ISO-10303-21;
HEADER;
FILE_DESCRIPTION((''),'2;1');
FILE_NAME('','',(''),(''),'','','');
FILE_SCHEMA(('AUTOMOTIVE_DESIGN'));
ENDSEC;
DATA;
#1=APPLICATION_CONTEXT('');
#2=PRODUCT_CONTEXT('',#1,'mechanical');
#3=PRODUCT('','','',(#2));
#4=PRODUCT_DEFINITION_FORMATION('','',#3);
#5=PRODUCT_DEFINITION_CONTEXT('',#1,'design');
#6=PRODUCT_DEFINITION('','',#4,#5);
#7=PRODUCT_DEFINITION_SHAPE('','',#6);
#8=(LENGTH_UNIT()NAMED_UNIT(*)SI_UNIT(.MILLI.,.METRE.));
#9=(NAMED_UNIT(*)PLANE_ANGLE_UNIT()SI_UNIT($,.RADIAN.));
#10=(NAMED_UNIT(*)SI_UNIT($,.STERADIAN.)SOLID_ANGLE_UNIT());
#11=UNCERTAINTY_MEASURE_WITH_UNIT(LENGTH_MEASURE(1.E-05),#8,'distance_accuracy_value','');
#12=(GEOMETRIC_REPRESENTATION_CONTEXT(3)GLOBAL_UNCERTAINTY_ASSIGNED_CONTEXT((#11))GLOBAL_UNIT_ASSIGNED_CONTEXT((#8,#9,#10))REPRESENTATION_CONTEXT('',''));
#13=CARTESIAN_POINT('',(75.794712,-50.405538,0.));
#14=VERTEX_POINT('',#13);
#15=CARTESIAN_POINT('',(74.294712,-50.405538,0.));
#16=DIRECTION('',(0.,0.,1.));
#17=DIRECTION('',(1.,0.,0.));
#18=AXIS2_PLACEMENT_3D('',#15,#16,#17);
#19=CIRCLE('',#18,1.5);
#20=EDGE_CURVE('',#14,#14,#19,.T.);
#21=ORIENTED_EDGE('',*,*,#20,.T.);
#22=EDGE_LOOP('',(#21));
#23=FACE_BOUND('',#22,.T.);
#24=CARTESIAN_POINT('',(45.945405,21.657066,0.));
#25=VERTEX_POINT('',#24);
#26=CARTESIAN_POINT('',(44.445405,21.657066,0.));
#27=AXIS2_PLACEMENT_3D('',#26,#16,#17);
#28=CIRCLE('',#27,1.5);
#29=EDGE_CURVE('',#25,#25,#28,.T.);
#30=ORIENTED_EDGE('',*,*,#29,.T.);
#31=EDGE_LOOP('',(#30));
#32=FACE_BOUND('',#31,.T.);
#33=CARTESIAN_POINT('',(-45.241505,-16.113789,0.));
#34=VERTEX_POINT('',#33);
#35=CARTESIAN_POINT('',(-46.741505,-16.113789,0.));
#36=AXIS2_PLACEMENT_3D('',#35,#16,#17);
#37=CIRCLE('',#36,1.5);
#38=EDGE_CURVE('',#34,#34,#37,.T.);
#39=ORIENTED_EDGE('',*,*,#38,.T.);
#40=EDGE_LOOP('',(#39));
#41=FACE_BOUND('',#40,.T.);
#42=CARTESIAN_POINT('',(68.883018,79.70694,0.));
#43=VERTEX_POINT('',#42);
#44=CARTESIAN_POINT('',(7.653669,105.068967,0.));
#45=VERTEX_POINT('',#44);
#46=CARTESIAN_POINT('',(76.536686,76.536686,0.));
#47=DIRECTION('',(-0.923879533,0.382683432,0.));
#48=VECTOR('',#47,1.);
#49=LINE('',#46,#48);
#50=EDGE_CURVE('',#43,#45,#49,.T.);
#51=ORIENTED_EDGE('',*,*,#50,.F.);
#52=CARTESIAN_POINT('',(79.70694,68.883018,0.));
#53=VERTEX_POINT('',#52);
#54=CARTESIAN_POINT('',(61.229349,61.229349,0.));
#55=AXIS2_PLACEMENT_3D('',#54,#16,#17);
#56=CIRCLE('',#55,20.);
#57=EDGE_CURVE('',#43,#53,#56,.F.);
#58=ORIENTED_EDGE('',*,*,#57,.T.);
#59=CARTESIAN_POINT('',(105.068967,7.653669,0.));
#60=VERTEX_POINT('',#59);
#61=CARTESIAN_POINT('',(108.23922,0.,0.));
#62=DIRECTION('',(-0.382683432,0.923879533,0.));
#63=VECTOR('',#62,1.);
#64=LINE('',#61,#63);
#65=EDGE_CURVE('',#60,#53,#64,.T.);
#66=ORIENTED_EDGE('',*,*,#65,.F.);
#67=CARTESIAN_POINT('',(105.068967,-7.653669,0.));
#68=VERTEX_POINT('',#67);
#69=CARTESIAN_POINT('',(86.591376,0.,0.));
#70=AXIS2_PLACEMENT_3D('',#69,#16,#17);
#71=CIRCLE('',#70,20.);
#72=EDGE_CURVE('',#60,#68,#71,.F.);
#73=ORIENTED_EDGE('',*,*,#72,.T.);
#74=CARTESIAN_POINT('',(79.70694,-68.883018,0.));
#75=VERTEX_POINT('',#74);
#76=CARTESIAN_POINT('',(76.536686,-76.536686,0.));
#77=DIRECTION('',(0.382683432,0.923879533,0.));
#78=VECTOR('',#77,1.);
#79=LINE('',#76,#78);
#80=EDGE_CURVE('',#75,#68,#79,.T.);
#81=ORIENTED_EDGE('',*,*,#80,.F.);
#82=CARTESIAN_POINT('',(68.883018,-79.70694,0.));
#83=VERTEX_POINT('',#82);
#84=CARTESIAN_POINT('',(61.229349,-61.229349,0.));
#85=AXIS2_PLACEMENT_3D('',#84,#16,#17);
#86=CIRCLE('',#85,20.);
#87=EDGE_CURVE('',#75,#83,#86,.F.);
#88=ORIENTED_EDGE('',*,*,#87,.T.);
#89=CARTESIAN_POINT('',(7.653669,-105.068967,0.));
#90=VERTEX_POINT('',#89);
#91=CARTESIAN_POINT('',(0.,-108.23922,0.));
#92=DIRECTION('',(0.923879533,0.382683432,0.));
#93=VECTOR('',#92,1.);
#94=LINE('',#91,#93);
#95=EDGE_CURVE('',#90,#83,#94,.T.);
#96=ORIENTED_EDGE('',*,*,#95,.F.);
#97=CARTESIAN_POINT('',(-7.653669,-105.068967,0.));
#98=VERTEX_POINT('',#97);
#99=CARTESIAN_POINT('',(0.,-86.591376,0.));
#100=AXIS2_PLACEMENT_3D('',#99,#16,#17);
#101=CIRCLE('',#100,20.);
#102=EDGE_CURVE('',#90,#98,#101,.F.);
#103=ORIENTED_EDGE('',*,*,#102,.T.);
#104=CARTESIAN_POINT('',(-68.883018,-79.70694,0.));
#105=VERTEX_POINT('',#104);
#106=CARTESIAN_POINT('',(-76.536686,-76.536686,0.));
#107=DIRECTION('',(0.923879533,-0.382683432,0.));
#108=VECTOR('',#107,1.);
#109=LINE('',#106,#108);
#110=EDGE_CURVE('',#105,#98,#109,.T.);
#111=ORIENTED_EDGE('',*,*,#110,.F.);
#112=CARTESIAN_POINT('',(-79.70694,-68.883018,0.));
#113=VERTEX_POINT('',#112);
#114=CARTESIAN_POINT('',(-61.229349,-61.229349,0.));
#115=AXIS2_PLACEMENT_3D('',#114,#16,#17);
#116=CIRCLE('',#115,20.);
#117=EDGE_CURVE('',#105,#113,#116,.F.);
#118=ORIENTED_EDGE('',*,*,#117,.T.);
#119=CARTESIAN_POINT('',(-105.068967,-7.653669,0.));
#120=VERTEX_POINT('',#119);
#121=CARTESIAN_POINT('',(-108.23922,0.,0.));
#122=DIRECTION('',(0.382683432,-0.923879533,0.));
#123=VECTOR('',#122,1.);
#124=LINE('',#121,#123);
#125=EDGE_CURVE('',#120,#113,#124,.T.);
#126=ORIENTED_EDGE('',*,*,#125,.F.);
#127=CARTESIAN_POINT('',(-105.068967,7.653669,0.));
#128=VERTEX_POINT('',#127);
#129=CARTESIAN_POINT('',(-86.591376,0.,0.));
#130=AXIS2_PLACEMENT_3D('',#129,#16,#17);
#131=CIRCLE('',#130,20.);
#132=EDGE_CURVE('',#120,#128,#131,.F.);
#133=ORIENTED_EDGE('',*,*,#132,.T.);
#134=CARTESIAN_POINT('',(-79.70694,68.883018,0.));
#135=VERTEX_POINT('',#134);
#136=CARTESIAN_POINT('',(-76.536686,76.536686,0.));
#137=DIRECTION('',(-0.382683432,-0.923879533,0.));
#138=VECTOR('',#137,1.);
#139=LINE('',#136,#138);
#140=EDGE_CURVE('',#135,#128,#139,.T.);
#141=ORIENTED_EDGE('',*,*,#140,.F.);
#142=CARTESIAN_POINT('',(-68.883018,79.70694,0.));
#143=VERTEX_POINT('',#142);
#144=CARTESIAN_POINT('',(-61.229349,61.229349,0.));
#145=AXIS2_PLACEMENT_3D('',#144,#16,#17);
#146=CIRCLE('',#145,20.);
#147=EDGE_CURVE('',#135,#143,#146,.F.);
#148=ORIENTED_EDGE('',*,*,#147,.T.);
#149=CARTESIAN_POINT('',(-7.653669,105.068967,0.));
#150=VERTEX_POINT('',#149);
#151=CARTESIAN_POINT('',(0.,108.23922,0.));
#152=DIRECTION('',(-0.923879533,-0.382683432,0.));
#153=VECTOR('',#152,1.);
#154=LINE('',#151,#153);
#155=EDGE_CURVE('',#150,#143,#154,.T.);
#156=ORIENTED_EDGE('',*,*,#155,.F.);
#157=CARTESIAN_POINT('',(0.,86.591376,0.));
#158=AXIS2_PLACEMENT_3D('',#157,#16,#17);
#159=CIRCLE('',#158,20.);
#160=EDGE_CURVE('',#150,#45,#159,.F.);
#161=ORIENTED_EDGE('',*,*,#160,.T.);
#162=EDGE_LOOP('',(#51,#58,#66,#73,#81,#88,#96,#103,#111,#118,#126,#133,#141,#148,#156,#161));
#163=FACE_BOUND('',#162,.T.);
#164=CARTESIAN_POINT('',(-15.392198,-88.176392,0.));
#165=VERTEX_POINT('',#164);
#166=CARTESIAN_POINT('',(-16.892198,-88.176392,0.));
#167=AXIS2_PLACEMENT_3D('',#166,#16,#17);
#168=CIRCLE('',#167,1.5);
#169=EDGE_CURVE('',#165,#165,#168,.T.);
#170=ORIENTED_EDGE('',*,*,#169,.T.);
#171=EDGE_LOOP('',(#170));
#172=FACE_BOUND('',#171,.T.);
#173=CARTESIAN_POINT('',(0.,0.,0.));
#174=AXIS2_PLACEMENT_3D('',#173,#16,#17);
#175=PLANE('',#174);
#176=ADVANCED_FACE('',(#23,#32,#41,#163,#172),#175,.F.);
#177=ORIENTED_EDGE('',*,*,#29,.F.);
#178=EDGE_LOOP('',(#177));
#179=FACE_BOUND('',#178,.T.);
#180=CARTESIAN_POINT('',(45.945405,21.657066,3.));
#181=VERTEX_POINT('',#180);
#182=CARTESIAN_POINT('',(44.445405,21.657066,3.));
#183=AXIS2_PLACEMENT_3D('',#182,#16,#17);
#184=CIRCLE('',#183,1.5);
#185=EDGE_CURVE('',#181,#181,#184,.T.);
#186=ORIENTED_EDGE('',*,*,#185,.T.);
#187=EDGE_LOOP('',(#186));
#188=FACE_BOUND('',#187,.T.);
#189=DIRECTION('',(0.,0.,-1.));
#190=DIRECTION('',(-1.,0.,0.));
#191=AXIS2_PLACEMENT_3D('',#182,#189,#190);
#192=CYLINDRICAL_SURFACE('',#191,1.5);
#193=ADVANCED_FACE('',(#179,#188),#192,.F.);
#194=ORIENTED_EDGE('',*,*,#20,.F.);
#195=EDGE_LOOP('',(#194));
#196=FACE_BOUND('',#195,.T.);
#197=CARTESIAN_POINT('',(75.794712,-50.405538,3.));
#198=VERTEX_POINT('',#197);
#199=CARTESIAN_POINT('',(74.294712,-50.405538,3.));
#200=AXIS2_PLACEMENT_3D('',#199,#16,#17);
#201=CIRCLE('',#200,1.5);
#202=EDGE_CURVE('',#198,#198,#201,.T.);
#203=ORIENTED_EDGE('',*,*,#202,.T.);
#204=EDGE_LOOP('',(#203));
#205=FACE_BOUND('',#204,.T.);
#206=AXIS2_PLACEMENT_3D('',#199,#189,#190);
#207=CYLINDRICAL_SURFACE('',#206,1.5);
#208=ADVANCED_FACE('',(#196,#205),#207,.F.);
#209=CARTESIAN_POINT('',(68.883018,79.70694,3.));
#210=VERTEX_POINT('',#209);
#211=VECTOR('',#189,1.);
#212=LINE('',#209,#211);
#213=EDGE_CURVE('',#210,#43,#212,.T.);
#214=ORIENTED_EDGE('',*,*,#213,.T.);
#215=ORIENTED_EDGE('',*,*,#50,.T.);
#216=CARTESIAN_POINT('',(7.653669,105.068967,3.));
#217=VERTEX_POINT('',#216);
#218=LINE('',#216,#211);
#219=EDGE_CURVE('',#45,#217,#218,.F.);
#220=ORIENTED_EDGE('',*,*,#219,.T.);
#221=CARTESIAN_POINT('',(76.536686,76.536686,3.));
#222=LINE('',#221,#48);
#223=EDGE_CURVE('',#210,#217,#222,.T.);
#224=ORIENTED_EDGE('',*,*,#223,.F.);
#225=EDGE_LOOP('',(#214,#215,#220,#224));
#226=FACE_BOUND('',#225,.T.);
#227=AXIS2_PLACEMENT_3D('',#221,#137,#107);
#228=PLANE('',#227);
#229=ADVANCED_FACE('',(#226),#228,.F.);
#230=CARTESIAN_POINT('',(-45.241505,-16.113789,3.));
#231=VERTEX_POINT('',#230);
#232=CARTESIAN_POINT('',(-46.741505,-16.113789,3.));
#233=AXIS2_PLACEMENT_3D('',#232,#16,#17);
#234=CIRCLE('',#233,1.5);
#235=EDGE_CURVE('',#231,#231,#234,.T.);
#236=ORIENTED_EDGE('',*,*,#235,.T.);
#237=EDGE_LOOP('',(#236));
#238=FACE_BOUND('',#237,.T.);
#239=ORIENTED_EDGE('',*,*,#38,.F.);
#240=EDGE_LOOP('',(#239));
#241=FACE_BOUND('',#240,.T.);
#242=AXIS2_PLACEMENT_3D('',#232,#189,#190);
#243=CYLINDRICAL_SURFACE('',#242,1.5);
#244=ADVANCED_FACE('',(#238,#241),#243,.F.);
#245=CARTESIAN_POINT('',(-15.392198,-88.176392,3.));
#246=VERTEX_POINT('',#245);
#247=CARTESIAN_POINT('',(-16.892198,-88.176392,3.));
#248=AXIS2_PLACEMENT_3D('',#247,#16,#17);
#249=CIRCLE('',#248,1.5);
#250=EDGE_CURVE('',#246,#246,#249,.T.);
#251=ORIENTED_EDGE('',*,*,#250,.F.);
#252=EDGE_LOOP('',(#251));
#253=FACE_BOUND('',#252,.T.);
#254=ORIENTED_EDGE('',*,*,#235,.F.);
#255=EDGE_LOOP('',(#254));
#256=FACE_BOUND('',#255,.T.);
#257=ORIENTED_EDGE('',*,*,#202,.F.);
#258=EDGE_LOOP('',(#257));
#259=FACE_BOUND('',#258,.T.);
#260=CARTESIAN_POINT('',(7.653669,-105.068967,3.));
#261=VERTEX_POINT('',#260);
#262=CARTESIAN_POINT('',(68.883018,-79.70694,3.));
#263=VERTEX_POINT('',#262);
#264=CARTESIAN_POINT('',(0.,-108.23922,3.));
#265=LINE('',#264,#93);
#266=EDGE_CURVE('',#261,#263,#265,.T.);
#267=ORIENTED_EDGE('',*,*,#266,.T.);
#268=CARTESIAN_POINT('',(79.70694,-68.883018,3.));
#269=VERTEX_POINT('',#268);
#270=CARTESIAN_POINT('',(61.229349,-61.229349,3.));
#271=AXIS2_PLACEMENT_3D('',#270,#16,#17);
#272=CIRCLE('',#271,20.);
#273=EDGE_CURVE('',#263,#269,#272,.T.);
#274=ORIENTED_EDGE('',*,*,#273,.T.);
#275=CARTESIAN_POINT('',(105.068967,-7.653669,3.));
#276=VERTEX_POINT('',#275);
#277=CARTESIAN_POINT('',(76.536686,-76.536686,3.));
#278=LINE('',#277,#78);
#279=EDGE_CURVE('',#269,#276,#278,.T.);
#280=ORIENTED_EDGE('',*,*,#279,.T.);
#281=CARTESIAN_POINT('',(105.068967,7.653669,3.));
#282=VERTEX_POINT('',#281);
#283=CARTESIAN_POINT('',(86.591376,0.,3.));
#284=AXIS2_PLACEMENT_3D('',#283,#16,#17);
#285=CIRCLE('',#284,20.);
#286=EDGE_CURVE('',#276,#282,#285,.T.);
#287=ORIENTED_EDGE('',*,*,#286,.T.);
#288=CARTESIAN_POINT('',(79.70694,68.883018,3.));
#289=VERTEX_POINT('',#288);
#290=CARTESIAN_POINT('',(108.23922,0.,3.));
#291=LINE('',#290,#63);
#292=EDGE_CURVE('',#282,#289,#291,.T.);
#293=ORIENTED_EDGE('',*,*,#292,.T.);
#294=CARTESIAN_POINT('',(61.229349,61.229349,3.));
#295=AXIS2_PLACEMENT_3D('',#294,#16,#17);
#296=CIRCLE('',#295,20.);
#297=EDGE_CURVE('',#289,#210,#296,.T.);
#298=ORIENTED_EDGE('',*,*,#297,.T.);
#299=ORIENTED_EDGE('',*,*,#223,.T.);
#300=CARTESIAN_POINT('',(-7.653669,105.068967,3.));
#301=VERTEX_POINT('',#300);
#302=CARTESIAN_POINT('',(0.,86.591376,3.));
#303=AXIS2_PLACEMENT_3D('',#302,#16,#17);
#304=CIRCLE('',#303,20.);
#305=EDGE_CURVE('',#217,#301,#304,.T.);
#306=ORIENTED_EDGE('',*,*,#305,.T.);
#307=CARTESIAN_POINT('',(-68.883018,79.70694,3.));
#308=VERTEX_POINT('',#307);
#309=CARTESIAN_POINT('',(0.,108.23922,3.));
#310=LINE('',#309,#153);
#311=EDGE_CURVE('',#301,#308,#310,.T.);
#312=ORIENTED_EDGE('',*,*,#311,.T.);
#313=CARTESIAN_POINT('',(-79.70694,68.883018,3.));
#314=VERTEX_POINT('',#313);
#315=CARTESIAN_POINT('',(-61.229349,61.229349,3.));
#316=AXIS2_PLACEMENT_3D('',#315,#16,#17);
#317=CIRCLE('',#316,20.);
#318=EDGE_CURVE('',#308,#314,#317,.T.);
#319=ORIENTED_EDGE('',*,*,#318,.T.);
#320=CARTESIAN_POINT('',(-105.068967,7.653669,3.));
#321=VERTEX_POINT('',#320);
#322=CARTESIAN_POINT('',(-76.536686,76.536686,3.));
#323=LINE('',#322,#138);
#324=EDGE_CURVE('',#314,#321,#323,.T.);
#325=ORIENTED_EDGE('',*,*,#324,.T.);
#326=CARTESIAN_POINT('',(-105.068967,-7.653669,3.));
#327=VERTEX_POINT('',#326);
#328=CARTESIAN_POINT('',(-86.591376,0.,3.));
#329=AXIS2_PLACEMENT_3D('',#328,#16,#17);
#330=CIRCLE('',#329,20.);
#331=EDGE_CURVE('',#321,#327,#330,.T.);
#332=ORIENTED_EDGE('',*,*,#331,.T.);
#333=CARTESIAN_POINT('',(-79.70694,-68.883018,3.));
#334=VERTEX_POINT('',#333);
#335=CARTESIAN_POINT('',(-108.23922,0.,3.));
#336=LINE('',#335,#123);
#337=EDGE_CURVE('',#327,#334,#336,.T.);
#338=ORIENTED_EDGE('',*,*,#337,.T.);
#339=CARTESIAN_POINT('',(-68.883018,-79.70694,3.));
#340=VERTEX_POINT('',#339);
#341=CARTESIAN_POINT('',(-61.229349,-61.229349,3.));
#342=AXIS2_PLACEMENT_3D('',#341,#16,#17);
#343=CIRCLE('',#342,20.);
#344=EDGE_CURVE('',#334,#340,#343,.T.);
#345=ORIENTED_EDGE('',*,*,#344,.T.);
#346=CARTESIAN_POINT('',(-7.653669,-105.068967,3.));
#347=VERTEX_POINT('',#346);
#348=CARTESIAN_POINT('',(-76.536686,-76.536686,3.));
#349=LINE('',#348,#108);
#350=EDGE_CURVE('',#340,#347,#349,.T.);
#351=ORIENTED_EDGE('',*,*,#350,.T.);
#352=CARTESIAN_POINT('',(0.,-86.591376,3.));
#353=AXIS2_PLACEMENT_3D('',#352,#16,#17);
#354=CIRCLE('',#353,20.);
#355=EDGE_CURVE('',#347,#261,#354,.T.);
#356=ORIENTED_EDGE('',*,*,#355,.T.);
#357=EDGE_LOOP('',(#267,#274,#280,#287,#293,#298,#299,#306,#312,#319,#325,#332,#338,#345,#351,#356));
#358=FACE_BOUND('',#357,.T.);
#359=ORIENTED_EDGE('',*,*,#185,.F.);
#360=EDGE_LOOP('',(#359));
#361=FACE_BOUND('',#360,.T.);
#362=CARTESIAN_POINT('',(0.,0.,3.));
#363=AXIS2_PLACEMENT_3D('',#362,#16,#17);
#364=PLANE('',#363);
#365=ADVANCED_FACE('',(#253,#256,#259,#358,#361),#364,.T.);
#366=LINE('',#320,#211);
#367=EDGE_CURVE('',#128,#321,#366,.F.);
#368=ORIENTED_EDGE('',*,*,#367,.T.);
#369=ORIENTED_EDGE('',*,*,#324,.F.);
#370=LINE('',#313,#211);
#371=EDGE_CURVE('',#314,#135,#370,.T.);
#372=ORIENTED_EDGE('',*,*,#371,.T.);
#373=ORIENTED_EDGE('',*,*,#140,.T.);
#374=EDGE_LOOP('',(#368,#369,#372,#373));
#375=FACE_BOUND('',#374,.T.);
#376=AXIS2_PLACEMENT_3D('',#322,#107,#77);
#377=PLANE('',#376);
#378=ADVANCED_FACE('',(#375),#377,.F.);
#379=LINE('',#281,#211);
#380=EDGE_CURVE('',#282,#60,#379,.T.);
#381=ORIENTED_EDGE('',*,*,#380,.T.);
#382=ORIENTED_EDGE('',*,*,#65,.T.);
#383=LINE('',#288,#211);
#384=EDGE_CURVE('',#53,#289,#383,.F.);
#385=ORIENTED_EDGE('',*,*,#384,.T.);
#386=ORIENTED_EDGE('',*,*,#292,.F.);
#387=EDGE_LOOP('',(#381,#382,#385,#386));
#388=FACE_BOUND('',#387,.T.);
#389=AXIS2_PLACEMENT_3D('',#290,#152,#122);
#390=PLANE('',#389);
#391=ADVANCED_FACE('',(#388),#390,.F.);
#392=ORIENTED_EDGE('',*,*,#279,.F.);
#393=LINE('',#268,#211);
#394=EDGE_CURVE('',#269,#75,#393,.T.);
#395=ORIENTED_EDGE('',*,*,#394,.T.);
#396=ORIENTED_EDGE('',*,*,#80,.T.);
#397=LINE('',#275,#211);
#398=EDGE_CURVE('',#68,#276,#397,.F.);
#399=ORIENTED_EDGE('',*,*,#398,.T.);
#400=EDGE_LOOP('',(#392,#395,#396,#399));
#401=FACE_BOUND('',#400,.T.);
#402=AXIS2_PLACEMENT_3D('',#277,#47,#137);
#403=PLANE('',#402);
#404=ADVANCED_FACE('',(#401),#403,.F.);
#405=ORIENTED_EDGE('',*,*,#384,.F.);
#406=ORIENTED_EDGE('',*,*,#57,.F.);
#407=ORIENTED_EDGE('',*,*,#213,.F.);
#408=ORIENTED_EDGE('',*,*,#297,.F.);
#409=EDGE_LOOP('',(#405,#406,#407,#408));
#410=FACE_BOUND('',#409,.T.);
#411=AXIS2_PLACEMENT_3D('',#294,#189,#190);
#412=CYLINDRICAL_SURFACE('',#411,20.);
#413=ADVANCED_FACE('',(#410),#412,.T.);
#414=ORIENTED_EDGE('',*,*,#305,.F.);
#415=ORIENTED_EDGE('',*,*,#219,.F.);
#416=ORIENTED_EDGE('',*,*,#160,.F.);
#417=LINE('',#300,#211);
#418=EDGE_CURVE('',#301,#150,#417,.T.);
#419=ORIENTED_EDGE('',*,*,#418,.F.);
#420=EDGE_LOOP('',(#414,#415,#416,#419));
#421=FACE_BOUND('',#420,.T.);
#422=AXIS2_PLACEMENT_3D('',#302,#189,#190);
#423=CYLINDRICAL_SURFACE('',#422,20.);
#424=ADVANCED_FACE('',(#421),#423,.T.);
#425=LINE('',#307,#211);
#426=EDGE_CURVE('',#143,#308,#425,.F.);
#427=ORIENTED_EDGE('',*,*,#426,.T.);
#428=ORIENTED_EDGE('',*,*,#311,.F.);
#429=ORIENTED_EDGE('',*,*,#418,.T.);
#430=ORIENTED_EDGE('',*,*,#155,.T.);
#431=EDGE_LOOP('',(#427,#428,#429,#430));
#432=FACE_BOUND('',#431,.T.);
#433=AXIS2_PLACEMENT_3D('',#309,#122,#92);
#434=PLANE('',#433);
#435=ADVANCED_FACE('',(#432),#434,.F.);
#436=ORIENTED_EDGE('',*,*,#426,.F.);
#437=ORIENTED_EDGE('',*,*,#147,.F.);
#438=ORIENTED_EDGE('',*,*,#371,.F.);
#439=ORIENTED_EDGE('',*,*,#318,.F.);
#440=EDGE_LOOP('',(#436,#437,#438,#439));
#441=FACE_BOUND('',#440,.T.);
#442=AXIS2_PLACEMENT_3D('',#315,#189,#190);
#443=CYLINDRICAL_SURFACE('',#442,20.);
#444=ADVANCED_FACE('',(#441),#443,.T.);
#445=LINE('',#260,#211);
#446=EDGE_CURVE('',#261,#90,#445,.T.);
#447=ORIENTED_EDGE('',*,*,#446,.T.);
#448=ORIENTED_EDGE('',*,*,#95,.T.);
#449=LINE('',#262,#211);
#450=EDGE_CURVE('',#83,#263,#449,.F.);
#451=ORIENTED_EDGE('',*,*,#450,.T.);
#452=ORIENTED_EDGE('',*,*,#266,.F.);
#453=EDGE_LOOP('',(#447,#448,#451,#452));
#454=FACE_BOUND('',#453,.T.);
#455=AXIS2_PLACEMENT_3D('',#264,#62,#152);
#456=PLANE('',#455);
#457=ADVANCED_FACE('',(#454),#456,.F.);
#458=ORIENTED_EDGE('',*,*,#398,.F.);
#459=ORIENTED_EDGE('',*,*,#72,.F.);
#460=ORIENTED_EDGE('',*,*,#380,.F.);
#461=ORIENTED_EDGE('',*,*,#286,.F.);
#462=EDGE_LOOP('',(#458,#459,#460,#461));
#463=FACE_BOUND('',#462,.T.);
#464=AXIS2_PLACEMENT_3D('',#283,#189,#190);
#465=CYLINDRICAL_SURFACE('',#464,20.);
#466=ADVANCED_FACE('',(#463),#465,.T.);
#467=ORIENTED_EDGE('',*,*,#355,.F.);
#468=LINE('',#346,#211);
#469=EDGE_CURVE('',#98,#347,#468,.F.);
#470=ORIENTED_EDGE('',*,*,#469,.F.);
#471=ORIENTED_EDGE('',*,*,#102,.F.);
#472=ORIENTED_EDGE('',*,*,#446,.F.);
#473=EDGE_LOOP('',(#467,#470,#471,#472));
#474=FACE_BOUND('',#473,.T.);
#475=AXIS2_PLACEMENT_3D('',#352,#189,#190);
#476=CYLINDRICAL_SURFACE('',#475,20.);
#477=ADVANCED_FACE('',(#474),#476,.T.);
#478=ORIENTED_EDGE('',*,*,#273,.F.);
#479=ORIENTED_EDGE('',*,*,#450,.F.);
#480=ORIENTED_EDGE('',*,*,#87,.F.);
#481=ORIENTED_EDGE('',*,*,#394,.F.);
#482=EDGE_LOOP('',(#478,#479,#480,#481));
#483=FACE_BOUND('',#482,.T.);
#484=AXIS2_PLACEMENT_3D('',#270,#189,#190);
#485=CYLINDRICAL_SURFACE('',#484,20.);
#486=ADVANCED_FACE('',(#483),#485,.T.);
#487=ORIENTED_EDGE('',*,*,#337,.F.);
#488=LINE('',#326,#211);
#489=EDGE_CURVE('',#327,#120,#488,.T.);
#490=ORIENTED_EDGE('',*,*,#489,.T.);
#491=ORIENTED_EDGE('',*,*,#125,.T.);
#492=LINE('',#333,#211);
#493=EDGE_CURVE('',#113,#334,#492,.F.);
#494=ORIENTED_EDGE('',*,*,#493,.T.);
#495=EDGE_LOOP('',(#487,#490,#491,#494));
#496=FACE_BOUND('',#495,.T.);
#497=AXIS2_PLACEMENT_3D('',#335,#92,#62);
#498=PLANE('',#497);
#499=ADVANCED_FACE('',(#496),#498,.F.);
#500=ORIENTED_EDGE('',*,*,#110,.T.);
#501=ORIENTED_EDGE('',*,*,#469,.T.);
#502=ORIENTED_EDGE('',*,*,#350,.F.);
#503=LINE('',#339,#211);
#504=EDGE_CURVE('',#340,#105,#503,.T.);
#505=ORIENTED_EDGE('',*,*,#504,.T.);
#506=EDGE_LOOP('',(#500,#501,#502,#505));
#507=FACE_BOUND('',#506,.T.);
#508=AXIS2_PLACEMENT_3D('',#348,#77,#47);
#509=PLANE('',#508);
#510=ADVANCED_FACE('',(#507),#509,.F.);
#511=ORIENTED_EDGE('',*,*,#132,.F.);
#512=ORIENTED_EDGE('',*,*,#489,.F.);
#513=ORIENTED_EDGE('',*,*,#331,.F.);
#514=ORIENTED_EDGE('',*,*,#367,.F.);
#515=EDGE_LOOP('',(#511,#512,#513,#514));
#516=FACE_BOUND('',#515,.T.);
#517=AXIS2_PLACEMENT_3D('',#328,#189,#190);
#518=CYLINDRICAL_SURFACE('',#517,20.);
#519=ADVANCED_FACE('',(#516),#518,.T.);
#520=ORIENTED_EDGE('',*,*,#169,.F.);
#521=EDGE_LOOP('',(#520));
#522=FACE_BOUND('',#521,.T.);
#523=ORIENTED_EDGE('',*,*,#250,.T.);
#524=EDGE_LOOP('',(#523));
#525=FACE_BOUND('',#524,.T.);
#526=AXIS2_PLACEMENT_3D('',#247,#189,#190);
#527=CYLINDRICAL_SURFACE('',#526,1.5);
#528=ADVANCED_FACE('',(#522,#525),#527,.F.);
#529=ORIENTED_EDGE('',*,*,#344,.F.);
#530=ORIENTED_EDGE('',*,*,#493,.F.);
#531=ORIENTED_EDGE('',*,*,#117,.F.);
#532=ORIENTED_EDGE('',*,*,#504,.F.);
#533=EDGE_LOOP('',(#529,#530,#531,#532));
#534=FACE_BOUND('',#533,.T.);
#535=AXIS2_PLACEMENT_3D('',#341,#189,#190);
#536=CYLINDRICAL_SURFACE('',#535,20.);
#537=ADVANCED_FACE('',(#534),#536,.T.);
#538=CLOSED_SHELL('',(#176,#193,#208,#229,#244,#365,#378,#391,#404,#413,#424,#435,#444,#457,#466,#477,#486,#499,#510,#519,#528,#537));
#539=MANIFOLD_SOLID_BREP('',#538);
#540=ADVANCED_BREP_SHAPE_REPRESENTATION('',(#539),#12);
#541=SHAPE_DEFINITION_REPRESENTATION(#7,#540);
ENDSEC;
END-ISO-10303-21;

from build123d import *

# Parameters (mm, degrees)
SKETCH_1_R      = 1.5
EXTRUDE_1_DEPTH = 3
FILLET_1_R      = 20


with BuildPart() as part:
    # 草图1 → 凸台-拉伸1 (new body)
    with BuildSketch(Plane.XY):
        Polygon((0, 108.239220029), (-76.536686473, 76.536686473), (-108.239220029, 0), (-76.536686473, -76.536686473), (0, -108.239220029), (76.536686473, -76.536686473), (108.239220029, 0), (76.536686473, 76.536686473), align=None)
        with Locations((-46.741505227, -16.11378879)):
            Circle(SKETCH_1_R, mode=Mode.SUBTRACT)
        with Locations((-16.892197502, -88.176392326)):
            Circle(SKETCH_1_R, mode=Mode.SUBTRACT)
        with Locations((74.294712357, -50.405537551)):
            Circle(SKETCH_1_R, mode=Mode.SUBTRACT)
        with Locations((44.445404632, 21.657065985)):
            Circle(SKETCH_1_R, mode=Mode.SUBTRACT)
    extrude(amount=EXTRUDE_1_DEPTH)

    # 圆角1
    fillet_1_edges = [part.edges().sort_by_distance(p)[0] for p in [
        (76.536686473, 76.536686473, 1.5),
        (108.239220029, 0, 1.5),
        (76.536686473, -76.536686473, 1.5),
        (0, -108.239220029, 1.5),
        (-76.536686473, -76.536686473, 1.5),
        (-108.239220029, 0, 1.5),
        (-76.536686473, 76.536686473, 1.5),
        (0, 108.239220029, 1.5),
    ]]
    fillet(fillet_1_edges, radius=FILLET_1_R)


solid = part.part
